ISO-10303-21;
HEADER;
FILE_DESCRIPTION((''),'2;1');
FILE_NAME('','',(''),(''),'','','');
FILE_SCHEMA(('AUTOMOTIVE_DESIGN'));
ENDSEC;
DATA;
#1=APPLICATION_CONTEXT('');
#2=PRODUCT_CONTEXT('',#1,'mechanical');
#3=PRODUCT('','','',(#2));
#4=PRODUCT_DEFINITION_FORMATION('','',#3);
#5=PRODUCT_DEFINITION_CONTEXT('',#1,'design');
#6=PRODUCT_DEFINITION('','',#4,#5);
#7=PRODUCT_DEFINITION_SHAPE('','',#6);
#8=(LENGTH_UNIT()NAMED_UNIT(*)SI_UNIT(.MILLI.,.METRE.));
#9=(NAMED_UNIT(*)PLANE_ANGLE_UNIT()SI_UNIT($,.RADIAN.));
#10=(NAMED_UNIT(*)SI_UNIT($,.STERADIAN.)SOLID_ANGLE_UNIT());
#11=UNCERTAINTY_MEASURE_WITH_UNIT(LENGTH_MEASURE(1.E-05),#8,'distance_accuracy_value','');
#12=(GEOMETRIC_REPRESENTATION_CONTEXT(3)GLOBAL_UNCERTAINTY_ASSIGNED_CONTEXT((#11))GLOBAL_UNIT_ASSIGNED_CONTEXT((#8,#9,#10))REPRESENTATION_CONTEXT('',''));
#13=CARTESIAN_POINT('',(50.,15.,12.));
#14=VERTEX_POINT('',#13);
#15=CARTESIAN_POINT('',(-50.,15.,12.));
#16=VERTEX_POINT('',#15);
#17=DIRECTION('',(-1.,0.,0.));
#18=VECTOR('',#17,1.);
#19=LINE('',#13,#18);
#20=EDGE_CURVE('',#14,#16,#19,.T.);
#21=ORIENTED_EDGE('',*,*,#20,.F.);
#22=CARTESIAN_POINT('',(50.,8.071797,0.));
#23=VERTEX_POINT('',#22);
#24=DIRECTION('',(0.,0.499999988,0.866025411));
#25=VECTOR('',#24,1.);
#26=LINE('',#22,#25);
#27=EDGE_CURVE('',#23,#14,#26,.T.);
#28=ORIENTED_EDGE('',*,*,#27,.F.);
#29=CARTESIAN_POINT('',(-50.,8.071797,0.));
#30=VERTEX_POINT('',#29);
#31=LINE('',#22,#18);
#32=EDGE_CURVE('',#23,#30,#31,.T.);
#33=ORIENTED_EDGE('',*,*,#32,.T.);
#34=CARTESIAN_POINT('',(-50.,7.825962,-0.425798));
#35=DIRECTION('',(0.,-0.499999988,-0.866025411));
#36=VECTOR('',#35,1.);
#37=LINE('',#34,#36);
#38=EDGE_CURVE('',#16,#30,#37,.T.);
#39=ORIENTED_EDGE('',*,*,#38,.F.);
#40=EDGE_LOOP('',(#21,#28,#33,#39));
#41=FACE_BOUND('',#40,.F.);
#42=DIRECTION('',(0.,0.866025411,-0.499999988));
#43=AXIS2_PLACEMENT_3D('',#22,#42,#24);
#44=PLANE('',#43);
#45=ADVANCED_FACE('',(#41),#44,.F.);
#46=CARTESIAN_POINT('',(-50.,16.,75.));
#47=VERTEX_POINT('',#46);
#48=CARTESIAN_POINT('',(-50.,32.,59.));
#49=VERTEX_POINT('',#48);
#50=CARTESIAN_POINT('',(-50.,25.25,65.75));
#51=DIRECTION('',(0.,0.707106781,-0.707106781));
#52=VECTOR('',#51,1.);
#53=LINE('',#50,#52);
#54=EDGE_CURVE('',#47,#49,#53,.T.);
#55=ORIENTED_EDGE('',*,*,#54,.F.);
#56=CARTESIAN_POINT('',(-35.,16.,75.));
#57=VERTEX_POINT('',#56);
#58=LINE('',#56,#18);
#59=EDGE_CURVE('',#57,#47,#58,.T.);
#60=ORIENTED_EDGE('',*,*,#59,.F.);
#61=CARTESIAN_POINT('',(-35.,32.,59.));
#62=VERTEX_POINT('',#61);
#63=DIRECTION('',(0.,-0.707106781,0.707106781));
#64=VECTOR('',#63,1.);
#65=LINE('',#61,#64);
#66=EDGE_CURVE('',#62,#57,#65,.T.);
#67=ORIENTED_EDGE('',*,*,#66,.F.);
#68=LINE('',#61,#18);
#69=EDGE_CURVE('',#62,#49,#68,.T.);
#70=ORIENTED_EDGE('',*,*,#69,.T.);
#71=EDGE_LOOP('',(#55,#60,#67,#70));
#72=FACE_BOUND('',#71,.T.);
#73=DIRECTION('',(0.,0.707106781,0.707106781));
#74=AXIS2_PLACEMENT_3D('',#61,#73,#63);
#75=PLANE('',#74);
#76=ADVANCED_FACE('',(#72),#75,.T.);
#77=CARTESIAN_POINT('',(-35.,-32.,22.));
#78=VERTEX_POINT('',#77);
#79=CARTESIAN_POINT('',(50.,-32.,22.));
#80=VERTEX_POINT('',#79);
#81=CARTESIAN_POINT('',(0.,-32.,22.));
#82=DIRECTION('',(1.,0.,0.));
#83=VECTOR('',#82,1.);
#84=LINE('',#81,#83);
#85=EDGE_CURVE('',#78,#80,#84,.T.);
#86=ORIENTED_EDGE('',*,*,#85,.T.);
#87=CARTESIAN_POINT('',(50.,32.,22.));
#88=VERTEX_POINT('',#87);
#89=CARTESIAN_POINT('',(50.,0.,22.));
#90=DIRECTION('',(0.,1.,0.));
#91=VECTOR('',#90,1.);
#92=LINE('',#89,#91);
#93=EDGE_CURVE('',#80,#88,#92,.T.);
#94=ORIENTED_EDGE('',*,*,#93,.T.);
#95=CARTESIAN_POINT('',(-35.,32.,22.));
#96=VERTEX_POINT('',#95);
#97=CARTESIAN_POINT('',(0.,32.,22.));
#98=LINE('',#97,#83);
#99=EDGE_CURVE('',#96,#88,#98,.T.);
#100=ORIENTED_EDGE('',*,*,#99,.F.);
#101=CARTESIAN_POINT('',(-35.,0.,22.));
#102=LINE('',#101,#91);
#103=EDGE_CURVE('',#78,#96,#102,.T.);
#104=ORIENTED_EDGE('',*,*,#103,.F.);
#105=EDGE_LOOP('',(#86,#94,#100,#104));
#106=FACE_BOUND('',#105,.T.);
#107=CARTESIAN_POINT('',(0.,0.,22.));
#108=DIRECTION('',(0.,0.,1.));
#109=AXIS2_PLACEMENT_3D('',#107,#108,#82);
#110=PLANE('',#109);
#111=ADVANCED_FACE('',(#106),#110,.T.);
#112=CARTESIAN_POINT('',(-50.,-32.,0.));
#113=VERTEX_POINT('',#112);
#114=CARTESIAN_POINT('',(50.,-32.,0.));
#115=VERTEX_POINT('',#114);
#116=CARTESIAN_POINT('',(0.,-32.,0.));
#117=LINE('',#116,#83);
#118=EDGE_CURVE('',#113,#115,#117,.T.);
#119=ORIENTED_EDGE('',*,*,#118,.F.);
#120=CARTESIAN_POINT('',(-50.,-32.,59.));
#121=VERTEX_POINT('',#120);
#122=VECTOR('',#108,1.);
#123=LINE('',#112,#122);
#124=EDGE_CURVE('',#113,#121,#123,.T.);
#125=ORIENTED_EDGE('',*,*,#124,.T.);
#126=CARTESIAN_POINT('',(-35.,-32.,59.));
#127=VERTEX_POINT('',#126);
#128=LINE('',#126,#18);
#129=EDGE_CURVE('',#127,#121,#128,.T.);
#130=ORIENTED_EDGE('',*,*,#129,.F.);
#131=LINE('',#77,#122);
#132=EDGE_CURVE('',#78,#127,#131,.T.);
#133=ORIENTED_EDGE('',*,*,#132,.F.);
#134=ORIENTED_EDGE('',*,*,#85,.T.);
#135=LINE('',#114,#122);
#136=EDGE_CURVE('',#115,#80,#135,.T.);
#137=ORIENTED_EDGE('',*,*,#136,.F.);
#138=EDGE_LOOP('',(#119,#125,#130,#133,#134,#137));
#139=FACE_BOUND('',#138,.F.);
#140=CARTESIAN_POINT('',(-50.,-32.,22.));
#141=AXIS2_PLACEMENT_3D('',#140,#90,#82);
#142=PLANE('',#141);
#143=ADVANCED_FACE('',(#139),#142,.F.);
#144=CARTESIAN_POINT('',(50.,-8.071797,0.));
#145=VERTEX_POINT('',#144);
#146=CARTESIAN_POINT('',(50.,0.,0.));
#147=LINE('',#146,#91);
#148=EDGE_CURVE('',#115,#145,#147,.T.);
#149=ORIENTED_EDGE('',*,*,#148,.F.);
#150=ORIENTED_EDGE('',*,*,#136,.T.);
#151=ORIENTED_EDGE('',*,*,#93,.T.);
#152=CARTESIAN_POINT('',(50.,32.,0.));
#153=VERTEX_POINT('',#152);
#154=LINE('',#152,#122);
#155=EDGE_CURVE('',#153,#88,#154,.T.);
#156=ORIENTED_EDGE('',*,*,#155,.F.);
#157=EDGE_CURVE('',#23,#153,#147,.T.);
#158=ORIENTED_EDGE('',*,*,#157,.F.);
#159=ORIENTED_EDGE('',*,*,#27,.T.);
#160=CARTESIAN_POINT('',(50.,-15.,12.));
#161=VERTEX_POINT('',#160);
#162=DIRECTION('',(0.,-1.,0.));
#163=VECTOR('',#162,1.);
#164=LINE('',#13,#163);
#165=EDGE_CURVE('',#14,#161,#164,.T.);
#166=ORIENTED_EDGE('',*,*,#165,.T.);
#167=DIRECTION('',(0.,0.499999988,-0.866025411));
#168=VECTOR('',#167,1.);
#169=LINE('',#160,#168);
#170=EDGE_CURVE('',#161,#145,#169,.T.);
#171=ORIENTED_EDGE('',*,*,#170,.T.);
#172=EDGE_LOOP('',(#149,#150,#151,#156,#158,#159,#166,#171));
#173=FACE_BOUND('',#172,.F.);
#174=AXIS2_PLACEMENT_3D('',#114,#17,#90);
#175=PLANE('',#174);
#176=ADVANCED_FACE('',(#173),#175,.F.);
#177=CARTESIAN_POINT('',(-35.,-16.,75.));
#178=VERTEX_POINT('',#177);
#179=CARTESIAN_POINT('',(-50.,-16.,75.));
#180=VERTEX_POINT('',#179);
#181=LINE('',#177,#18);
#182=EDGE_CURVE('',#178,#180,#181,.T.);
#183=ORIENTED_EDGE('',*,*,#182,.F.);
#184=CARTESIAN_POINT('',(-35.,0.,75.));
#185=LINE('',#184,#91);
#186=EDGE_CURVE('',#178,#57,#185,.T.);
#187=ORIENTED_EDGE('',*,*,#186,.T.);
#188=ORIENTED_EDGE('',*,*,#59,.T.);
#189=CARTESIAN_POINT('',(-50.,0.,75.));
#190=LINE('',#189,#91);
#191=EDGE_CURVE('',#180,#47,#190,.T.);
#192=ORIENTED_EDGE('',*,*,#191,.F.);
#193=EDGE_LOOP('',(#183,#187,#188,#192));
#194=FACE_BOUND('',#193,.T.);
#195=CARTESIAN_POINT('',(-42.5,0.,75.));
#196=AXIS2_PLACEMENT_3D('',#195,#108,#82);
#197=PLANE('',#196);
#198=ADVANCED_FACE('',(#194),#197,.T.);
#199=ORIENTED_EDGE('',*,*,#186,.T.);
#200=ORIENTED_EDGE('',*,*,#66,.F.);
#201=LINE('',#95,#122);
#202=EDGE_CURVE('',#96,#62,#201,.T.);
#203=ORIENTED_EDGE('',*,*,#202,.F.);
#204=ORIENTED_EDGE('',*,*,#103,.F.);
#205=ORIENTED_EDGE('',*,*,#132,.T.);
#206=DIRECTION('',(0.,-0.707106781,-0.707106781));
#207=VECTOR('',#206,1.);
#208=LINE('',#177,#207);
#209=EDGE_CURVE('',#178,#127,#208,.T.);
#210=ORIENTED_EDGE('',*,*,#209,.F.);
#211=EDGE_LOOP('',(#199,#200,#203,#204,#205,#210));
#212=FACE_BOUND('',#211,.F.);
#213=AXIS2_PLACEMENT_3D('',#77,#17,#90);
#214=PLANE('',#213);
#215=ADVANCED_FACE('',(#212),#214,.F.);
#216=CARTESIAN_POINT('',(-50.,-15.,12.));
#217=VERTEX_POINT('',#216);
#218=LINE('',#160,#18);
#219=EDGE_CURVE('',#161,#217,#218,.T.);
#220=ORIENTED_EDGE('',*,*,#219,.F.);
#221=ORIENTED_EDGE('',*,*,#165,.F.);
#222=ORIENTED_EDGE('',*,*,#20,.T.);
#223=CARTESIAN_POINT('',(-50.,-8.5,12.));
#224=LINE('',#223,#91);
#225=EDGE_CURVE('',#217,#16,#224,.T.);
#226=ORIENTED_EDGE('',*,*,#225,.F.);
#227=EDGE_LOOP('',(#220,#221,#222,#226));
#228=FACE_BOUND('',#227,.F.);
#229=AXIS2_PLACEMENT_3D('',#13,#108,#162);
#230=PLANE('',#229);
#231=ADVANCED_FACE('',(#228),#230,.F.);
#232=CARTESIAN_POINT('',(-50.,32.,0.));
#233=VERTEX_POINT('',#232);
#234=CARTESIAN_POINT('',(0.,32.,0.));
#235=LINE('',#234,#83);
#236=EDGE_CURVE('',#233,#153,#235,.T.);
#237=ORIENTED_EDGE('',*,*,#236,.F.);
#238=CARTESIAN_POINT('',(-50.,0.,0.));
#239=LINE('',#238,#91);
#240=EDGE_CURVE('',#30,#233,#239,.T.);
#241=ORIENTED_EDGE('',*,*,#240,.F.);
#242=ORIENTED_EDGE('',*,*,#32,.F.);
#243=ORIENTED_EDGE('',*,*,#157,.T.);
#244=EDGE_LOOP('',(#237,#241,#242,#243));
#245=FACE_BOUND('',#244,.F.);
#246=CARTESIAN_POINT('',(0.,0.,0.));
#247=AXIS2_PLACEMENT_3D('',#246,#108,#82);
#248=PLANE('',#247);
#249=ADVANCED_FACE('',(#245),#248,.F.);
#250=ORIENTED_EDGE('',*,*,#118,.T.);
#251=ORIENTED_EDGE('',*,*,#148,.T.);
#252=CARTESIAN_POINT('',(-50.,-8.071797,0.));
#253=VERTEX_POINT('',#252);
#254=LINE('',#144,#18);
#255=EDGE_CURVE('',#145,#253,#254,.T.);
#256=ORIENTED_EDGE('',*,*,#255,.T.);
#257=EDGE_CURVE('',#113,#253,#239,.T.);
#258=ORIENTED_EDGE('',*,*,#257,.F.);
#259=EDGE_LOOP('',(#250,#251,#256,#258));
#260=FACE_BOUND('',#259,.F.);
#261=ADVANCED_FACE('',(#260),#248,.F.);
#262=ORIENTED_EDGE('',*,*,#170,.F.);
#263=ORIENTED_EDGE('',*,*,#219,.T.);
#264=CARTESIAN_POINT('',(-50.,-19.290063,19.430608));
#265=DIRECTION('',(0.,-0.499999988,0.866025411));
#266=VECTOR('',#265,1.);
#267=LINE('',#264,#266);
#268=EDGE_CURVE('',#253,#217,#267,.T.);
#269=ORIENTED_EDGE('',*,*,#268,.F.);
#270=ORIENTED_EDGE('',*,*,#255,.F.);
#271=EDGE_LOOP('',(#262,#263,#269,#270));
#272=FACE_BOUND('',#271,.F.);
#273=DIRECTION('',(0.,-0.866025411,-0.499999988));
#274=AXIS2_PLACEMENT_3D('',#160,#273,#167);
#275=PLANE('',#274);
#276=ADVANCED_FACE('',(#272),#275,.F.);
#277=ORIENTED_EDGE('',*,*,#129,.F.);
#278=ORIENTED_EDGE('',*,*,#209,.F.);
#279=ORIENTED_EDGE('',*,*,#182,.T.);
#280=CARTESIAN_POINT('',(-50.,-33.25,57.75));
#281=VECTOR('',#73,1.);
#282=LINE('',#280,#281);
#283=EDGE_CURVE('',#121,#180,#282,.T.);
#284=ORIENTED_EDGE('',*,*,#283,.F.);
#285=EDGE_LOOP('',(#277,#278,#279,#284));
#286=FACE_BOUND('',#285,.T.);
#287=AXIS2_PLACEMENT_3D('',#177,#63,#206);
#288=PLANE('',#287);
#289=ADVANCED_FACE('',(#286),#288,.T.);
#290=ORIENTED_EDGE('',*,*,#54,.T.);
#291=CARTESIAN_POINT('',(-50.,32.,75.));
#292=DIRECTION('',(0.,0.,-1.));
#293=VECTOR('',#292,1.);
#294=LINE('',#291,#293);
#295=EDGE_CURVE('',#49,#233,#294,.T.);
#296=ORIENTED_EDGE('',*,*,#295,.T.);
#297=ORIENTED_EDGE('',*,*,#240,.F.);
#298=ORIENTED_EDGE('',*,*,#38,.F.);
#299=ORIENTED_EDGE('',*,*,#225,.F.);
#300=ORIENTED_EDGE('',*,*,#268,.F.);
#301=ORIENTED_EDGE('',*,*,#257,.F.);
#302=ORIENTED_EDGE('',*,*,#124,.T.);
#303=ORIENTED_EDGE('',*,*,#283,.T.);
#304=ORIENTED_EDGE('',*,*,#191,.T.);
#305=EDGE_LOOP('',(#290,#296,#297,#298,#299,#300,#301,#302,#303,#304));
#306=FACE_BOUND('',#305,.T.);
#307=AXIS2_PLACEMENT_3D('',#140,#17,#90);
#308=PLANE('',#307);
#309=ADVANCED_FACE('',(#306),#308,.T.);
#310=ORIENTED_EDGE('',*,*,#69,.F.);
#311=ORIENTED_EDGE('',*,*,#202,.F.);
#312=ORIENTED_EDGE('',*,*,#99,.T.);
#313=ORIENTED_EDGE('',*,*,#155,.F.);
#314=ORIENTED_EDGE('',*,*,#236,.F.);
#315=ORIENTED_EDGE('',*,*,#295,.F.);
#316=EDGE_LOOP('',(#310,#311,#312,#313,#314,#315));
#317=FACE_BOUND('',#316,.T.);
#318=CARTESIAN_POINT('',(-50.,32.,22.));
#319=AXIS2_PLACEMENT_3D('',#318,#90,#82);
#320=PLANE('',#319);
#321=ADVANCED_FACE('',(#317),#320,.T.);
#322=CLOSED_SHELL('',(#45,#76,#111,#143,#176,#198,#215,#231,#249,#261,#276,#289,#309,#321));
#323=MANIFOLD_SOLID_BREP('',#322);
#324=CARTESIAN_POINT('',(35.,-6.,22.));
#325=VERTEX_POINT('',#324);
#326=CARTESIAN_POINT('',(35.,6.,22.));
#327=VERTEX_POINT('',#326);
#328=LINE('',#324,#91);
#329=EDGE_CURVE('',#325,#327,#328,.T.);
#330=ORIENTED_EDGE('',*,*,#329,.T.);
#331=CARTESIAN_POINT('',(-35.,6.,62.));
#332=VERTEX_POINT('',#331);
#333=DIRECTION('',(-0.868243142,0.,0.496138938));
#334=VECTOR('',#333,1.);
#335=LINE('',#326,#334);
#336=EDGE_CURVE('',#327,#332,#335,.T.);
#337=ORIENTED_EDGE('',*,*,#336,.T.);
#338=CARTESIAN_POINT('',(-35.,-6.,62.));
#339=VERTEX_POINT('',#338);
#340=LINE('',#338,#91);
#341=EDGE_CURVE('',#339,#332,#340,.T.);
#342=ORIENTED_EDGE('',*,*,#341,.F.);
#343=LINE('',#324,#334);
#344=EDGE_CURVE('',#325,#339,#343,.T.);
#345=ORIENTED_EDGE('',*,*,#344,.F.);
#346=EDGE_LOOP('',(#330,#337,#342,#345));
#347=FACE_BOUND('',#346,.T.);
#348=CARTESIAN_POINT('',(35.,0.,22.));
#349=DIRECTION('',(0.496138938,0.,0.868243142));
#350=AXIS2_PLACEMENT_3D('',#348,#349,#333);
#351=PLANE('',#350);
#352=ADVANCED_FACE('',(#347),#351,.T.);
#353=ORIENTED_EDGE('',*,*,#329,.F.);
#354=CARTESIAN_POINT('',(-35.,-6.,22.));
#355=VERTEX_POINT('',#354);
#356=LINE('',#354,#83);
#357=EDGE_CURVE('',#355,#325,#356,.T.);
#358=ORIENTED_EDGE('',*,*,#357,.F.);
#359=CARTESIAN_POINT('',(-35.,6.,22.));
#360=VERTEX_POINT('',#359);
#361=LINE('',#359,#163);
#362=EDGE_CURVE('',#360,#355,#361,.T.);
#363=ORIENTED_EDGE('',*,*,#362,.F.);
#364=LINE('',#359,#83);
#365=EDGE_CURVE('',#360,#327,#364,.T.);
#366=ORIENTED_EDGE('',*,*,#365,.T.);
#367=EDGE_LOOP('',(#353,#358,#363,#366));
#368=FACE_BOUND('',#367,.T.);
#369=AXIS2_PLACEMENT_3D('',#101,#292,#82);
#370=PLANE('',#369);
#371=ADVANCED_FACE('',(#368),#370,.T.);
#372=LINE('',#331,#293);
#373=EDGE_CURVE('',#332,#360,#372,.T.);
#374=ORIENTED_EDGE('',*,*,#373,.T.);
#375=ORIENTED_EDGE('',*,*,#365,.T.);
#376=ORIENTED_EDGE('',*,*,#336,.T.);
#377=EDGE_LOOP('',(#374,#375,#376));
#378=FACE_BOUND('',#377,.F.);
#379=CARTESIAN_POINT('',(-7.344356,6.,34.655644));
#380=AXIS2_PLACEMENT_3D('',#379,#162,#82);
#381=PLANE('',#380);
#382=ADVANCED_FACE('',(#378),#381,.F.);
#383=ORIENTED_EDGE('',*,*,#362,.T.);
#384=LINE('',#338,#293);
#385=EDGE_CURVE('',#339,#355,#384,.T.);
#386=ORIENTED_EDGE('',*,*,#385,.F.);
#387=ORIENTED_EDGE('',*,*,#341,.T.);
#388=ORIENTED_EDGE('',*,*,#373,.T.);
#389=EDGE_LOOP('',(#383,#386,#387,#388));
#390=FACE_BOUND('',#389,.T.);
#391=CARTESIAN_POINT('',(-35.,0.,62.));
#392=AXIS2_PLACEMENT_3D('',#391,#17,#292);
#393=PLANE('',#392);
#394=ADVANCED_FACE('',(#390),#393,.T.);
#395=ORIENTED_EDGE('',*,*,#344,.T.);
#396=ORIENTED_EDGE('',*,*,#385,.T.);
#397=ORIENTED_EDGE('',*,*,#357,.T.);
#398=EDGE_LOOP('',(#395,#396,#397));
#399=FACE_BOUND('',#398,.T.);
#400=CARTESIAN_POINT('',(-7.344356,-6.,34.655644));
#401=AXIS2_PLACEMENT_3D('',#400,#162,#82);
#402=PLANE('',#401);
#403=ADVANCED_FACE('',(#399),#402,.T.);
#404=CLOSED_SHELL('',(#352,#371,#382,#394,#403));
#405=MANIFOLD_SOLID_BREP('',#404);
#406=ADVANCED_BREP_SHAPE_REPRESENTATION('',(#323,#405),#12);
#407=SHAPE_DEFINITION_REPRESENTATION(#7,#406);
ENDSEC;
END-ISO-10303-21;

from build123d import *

# Parameters (mm, degrees)
PAD002_DEPTH    = 6
SKETCH_W        = 100
SKETCH_H        = 64
PAD_DEPTH       = 22
SKETCH001_W     = 15
SKETCH001_H     = 64
PAD001_DEPTH    = 53
POCKET_DEPTH    = 100.001
POCKET001_DEPTH = 15.001


with BuildPart() as pad002:
    # Sketch003 → Pad002 (new body, symmetric)
    with BuildSketch(Plane.XZ):
        Polygon((-35, 62), (-35, 22), (35, 22), align=None)
    extrude(amount=PAD002_DEPTH, both=True)


with BuildPart() as pocket001:
    # Sketch → Pad (new body)
    with BuildSketch(Plane.XY):
        Rectangle(SKETCH_W, SKETCH_H)
    extrude(amount=PAD_DEPTH)

    # Sketch001 → Pad001 (new body)
    with BuildSketch(Plane.XY.offset(22)):
        with Locations((-42.5, 0)):
            Rectangle(SKETCH001_W, SKETCH001_H)
    extrude(amount=PAD001_DEPTH)

    # Sketch002 → Pocket (cut, through all)
    with BuildSketch(Plane.YZ.offset(50)):
        Polygon((-8.071797, 0), (8.071797, 0), (15, 12), (-15, 12), align=None)
    extrude(amount=-POCKET_DEPTH, mode=Mode.SUBTRACT)

    # Sketch004 → Pocket001 (cut, through all)
    with BuildSketch(Plane.YZ.offset(-35)):
        Polygon((-32, 59), (-32, 75), (-16, 75), align=None)
        Polygon((16, 75), (32, 75), (32, 59), align=None)
    extrude(amount=-POCKET001_DEPTH, mode=Mode.SUBTRACT)


solid = Compound([pad002.part, pocket001.part])
